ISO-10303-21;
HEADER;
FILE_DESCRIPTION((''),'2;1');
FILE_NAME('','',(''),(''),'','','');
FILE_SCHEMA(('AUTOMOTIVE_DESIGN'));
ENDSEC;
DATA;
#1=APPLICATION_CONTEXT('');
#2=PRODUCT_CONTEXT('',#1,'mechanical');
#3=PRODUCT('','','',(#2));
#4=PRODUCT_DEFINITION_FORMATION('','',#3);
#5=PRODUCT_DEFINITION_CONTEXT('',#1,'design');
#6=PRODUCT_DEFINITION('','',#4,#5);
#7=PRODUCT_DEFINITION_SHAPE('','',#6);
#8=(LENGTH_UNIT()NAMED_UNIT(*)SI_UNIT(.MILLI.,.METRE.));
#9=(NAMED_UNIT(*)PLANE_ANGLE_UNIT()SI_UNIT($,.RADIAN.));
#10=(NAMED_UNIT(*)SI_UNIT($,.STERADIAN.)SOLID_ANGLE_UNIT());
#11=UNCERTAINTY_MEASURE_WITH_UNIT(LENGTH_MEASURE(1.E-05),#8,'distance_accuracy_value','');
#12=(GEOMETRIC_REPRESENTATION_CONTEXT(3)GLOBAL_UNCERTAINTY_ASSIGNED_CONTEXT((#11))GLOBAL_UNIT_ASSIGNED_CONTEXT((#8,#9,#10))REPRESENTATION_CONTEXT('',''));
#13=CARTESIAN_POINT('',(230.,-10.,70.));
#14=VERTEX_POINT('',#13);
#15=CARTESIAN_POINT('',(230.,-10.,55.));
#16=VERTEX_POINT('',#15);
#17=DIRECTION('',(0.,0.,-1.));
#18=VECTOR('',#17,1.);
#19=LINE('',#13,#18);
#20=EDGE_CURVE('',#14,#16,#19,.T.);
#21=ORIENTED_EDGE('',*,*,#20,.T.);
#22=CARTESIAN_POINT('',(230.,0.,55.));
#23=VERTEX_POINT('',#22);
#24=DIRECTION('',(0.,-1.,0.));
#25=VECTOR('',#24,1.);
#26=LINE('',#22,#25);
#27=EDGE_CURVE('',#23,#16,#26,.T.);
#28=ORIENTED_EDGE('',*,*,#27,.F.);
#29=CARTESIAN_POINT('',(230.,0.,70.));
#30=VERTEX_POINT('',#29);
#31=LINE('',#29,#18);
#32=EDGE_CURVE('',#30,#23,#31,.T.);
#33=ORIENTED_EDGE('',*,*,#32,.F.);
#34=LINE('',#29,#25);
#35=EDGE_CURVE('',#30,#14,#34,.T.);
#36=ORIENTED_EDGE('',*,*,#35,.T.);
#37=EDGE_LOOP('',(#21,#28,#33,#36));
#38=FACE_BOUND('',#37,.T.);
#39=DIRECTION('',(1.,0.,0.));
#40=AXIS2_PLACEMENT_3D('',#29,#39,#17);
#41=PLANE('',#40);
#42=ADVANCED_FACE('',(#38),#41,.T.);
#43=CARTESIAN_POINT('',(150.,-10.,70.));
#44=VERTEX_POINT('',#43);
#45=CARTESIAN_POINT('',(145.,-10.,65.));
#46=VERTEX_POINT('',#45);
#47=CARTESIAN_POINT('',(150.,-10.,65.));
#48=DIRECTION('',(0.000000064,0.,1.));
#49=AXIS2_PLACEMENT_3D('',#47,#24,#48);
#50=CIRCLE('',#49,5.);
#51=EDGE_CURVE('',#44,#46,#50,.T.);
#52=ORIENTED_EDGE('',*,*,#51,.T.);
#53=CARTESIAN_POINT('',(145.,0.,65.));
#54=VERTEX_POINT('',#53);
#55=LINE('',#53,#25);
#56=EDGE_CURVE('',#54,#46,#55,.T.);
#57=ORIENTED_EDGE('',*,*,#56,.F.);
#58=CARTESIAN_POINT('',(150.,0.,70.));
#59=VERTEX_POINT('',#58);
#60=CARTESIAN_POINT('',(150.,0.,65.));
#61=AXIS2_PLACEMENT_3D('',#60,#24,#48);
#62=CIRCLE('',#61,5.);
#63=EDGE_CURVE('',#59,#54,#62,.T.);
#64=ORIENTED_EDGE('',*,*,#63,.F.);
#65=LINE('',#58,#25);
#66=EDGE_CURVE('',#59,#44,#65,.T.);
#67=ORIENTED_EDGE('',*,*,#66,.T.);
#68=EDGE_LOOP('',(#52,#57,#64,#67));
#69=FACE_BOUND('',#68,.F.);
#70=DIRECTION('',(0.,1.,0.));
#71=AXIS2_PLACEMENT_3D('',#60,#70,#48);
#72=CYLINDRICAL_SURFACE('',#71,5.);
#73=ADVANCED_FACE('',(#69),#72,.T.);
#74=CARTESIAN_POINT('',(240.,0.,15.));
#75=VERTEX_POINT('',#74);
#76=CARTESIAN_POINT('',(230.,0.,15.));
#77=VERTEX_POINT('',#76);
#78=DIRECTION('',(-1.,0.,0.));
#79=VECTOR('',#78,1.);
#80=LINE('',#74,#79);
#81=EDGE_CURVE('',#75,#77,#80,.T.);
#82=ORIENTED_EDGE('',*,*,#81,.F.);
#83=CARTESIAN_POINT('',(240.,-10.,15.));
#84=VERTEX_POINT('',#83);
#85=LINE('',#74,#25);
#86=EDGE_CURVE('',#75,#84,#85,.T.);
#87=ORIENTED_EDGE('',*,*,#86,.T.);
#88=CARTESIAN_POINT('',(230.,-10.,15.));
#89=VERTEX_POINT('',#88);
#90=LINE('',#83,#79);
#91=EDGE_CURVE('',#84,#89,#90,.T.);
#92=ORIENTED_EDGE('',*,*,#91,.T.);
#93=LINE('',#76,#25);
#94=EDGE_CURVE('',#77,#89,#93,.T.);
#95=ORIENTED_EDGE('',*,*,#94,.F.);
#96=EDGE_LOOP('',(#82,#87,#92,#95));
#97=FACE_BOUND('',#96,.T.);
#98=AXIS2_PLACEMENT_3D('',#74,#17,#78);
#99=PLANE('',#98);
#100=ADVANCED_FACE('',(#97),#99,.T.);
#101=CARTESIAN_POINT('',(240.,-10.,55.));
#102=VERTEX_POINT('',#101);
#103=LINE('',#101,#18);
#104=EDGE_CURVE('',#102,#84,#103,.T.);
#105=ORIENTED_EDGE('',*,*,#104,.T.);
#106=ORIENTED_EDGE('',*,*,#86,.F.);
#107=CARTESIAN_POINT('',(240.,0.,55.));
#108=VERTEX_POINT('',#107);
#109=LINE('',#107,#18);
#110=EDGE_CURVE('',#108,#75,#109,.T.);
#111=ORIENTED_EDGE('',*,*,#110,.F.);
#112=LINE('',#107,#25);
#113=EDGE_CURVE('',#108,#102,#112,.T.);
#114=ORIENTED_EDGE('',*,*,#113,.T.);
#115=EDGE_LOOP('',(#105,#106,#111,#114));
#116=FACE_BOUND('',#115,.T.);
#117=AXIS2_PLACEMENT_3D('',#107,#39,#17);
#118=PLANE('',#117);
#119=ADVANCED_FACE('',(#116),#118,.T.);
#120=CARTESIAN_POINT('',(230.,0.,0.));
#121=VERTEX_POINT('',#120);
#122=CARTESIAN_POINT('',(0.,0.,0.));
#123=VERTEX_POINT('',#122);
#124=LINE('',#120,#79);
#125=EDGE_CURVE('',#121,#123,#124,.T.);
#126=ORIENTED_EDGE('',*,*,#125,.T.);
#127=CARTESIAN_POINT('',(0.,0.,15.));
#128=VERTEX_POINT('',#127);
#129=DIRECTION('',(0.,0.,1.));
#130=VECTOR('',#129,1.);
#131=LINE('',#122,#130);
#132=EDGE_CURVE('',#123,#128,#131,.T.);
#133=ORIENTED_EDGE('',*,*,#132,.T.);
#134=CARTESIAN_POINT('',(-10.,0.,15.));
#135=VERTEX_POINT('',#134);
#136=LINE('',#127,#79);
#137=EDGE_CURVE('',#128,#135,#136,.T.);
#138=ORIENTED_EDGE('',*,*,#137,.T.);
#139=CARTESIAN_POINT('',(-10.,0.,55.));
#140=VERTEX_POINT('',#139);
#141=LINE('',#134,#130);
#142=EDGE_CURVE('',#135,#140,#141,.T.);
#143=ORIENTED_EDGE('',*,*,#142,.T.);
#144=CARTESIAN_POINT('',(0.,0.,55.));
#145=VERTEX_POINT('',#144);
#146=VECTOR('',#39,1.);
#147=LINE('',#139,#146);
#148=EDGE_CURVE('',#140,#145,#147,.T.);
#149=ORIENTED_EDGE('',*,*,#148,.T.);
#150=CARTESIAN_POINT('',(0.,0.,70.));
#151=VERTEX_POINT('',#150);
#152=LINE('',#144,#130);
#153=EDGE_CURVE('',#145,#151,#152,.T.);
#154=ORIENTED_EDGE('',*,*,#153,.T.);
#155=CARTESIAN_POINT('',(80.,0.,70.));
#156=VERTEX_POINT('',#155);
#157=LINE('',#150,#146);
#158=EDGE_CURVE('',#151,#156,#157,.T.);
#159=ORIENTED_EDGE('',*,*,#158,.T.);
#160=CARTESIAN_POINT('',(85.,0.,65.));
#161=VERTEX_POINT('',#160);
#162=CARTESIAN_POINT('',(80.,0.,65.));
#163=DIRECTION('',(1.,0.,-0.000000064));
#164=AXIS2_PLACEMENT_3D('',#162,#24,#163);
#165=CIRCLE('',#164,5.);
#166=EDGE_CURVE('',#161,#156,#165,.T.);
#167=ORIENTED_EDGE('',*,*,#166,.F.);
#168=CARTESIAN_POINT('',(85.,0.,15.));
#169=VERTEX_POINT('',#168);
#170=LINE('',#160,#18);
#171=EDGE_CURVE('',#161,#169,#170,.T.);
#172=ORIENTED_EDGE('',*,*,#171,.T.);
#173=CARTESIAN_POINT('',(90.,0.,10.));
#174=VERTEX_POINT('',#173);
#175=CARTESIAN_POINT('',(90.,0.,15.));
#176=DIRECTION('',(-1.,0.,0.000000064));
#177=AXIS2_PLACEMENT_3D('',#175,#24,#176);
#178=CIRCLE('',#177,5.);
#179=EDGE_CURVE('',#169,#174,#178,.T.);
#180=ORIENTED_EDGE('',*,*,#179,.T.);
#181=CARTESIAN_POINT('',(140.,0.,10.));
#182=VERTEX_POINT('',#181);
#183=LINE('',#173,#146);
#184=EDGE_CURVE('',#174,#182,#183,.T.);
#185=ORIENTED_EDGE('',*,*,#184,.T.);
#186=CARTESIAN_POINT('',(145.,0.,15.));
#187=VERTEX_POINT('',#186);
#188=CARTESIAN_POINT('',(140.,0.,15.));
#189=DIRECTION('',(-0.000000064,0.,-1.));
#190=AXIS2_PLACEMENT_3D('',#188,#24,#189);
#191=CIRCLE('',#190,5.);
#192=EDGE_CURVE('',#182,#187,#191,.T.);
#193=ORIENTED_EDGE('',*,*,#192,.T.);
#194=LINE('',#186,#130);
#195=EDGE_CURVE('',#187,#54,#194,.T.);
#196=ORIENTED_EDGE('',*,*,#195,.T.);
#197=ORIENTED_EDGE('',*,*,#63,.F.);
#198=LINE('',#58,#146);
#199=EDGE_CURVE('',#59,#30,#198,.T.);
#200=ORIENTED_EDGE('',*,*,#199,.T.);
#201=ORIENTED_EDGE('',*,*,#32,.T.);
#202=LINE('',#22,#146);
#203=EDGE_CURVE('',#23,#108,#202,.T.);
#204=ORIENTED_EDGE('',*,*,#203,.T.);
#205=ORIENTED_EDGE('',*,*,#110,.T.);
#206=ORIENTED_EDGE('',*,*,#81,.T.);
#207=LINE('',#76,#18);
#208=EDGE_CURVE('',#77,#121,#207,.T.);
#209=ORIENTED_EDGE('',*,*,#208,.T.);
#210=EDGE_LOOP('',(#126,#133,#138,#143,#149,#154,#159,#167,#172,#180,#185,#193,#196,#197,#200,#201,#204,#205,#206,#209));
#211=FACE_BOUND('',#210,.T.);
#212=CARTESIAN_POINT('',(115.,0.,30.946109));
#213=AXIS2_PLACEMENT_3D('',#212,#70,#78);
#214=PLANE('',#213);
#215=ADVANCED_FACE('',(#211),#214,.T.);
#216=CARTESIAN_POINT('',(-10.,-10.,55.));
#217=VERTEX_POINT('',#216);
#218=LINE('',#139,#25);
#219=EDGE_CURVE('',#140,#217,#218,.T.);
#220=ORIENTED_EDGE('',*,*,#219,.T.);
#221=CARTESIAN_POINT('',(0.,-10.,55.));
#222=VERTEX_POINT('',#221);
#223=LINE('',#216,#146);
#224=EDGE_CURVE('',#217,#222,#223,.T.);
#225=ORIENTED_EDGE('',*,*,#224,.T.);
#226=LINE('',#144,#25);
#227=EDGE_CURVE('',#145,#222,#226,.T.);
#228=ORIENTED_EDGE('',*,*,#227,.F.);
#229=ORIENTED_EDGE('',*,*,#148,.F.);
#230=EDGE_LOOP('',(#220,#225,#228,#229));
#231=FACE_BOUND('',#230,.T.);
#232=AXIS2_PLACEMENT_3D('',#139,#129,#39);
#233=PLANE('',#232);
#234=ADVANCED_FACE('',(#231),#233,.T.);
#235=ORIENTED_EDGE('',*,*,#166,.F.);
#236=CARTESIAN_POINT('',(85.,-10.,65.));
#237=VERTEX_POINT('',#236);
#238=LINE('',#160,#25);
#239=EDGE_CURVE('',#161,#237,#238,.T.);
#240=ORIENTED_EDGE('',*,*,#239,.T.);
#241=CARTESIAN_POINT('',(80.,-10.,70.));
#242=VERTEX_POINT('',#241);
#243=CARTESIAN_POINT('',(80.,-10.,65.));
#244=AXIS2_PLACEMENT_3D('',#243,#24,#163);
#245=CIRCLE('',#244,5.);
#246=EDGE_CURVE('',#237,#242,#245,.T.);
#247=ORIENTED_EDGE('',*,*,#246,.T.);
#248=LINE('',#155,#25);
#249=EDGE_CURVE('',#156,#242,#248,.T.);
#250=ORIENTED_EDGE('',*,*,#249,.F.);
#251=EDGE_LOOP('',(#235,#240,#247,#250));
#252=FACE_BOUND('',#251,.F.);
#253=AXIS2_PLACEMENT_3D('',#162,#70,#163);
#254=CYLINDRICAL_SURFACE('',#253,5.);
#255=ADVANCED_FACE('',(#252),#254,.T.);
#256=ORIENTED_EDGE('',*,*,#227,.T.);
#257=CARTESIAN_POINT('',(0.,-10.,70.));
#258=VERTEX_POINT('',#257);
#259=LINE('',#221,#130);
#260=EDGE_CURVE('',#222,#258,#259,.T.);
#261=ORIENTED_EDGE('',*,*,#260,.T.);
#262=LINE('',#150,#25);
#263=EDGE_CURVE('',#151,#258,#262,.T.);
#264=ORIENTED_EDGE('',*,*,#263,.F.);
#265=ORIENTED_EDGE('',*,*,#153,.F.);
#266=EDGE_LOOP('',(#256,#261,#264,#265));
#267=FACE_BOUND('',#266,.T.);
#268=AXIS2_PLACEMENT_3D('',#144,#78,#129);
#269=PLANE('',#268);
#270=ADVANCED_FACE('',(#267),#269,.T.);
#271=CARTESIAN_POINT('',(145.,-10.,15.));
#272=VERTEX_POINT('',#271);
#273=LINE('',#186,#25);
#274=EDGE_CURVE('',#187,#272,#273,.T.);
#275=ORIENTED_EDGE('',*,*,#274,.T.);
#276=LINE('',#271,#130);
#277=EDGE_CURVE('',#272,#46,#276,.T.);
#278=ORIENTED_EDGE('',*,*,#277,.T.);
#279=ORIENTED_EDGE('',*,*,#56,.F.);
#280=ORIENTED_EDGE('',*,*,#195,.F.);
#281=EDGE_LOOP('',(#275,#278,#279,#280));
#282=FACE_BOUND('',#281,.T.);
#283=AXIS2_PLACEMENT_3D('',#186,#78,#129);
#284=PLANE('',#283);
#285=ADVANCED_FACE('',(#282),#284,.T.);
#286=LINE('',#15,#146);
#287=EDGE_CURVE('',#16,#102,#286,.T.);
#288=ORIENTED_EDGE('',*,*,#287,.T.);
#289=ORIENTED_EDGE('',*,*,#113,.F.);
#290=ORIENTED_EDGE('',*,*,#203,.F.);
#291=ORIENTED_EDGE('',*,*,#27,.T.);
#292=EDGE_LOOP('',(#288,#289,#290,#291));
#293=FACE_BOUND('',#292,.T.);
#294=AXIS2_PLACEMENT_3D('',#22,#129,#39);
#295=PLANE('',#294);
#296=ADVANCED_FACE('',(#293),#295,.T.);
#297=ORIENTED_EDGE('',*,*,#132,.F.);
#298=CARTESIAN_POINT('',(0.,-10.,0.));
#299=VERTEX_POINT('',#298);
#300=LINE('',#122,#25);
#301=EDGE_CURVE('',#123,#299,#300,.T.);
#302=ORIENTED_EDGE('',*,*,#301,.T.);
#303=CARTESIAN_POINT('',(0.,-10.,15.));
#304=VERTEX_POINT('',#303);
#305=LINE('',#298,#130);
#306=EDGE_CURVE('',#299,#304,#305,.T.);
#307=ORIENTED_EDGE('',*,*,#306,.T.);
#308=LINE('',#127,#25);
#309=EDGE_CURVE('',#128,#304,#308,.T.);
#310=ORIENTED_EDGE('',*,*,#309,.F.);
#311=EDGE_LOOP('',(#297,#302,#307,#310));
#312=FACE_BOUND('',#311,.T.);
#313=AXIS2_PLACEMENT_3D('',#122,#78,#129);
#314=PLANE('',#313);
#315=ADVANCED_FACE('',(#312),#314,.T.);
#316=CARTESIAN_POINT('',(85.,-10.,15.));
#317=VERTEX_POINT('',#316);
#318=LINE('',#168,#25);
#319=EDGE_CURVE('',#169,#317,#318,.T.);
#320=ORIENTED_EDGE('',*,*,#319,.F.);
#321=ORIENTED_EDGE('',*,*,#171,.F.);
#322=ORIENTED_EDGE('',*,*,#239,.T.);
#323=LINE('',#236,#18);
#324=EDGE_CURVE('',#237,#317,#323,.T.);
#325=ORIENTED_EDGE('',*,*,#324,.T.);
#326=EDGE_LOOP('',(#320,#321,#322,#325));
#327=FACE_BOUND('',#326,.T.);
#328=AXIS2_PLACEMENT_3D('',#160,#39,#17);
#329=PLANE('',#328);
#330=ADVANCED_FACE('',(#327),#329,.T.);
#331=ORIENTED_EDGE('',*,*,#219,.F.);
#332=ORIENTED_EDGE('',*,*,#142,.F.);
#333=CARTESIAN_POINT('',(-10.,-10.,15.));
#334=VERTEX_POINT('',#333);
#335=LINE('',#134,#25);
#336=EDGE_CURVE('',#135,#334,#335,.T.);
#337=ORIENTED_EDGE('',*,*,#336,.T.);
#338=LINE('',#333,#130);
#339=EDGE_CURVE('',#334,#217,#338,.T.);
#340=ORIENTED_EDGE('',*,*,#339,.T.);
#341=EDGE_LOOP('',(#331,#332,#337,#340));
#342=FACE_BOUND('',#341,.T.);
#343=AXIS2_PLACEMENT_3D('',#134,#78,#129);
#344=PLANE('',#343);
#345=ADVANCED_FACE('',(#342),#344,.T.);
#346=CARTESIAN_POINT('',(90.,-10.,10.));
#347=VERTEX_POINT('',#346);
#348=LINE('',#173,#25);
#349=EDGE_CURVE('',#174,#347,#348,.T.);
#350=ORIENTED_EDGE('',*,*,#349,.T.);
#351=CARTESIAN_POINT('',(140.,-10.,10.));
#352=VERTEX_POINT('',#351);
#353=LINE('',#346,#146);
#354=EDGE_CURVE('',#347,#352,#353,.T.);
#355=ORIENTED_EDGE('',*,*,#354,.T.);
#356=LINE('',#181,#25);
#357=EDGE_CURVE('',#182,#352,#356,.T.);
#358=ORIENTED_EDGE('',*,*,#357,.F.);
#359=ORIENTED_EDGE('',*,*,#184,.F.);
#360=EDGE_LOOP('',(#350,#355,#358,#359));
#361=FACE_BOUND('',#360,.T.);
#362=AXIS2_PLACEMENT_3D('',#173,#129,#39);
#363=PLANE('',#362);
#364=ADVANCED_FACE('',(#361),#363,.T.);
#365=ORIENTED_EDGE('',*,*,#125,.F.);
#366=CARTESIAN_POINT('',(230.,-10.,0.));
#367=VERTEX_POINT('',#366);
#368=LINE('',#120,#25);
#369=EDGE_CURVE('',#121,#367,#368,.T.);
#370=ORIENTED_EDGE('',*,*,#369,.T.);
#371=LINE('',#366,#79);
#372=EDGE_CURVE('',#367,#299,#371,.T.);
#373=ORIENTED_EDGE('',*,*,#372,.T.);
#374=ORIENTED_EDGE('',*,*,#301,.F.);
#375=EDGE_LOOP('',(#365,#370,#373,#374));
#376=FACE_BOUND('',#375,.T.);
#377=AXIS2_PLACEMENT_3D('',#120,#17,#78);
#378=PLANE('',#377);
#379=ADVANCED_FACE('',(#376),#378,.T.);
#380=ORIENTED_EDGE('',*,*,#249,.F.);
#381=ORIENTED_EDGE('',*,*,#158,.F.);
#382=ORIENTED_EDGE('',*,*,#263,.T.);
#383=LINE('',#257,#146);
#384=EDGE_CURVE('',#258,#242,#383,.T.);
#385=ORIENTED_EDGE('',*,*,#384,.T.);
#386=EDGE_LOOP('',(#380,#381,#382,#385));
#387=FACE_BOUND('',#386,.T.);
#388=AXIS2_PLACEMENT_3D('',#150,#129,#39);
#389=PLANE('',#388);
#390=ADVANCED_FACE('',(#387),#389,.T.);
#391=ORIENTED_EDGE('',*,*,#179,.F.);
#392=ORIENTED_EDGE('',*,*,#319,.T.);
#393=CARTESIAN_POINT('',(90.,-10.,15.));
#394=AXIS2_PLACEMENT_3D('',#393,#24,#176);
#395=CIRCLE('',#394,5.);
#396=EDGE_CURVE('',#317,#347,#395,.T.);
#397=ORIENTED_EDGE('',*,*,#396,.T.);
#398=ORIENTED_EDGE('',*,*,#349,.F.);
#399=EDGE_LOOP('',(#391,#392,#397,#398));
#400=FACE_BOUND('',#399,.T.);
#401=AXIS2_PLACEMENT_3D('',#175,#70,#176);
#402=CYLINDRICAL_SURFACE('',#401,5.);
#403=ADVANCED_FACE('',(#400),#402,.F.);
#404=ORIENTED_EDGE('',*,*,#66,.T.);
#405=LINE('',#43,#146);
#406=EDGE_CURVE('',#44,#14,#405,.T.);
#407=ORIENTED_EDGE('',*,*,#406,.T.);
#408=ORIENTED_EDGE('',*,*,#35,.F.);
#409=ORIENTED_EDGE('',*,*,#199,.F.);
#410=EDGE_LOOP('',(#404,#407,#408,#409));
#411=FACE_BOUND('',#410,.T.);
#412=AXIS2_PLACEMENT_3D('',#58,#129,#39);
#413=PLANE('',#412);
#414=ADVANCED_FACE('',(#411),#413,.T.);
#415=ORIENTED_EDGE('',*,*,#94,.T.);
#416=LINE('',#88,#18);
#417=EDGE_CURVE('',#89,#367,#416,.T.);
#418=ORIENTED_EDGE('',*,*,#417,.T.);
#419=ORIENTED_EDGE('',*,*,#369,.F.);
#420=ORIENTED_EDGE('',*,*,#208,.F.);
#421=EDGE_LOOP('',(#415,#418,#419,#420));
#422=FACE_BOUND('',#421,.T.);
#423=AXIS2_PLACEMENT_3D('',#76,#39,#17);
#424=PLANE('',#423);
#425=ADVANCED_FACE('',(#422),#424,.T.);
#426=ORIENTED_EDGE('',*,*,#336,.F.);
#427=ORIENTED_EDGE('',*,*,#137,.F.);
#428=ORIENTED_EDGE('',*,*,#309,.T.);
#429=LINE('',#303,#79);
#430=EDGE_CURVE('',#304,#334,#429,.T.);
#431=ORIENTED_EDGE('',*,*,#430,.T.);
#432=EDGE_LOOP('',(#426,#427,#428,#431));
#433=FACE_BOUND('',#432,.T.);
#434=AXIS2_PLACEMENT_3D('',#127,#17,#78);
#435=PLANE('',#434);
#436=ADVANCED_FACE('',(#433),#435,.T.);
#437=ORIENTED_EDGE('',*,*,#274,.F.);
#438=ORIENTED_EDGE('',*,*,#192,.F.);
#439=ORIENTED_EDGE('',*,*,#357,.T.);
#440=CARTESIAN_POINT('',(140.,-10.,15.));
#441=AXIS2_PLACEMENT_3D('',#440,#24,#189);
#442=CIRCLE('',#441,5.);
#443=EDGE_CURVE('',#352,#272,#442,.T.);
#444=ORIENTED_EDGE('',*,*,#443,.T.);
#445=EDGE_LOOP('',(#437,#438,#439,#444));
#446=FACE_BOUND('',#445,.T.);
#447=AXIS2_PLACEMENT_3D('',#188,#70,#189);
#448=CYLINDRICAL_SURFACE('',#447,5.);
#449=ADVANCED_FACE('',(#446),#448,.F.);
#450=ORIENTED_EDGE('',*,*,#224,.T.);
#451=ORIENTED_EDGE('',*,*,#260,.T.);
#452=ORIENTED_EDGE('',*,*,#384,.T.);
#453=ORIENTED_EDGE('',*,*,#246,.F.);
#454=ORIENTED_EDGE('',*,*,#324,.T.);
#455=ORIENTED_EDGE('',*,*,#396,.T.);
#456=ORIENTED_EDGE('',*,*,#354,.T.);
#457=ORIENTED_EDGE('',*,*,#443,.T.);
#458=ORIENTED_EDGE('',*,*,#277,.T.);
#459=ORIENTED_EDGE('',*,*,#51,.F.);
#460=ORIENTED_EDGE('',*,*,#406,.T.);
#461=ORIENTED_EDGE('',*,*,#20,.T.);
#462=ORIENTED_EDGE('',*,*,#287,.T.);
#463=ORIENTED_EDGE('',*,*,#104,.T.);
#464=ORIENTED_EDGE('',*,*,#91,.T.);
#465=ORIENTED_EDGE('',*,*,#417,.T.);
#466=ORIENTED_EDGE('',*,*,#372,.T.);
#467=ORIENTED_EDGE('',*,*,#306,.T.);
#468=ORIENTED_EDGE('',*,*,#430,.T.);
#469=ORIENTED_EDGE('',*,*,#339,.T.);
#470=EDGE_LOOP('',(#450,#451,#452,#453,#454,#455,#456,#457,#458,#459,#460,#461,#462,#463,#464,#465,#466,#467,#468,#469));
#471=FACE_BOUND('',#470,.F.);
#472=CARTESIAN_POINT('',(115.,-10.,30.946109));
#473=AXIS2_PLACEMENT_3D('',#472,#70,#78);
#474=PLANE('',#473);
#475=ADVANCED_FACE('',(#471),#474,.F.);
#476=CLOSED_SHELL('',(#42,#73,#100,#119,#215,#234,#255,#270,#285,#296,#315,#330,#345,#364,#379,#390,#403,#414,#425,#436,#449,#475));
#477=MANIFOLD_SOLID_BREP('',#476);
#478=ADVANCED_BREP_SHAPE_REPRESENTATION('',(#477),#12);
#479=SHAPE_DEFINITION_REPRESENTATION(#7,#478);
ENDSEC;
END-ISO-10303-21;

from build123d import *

# Parameters (mm, degrees)
PAD_DEPTH = 10


with BuildPart() as part:
    # Sketch → Pad (new body)
    with BuildSketch(Plane.XZ):
        with BuildLine():
            Line((0, 0), (0, 15))
            Line((0, 15), (-10, 15))
            Line((-10, 15), (-10, 55))
            Line((-10, 55), (0, 55))
            Line((0, 55), (0, 70))
            Line((0, 70), (80, 70))
            ThreePointArc((85, 65), (83.535534, 68.535534), (80, 70))
            Line((85, 65), (85, 15))
            ThreePointArc((85, 15), (86.464466, 11.464466), (90, 10))
            Line((90, 10), (140, 10))
            ThreePointArc((140, 10), (143.535534, 11.464466), (145, 15))
            Line((145, 15), (145, 65))
            ThreePointArc((150, 70), (146.464466, 68.535534), (145, 65))
            Line((150, 70), (230, 70))
            Line((230, 70), (230, 55))
            Line((230, 55), (240, 55))
            Line((240, 55), (240, 15))
            Line((240, 15), (230, 15))
            Line((230, 15), (230, 0))
            Line((230, 0), (0, 0))
        make_face()
    extrude(amount=PAD_DEPTH)


solid = part.part
